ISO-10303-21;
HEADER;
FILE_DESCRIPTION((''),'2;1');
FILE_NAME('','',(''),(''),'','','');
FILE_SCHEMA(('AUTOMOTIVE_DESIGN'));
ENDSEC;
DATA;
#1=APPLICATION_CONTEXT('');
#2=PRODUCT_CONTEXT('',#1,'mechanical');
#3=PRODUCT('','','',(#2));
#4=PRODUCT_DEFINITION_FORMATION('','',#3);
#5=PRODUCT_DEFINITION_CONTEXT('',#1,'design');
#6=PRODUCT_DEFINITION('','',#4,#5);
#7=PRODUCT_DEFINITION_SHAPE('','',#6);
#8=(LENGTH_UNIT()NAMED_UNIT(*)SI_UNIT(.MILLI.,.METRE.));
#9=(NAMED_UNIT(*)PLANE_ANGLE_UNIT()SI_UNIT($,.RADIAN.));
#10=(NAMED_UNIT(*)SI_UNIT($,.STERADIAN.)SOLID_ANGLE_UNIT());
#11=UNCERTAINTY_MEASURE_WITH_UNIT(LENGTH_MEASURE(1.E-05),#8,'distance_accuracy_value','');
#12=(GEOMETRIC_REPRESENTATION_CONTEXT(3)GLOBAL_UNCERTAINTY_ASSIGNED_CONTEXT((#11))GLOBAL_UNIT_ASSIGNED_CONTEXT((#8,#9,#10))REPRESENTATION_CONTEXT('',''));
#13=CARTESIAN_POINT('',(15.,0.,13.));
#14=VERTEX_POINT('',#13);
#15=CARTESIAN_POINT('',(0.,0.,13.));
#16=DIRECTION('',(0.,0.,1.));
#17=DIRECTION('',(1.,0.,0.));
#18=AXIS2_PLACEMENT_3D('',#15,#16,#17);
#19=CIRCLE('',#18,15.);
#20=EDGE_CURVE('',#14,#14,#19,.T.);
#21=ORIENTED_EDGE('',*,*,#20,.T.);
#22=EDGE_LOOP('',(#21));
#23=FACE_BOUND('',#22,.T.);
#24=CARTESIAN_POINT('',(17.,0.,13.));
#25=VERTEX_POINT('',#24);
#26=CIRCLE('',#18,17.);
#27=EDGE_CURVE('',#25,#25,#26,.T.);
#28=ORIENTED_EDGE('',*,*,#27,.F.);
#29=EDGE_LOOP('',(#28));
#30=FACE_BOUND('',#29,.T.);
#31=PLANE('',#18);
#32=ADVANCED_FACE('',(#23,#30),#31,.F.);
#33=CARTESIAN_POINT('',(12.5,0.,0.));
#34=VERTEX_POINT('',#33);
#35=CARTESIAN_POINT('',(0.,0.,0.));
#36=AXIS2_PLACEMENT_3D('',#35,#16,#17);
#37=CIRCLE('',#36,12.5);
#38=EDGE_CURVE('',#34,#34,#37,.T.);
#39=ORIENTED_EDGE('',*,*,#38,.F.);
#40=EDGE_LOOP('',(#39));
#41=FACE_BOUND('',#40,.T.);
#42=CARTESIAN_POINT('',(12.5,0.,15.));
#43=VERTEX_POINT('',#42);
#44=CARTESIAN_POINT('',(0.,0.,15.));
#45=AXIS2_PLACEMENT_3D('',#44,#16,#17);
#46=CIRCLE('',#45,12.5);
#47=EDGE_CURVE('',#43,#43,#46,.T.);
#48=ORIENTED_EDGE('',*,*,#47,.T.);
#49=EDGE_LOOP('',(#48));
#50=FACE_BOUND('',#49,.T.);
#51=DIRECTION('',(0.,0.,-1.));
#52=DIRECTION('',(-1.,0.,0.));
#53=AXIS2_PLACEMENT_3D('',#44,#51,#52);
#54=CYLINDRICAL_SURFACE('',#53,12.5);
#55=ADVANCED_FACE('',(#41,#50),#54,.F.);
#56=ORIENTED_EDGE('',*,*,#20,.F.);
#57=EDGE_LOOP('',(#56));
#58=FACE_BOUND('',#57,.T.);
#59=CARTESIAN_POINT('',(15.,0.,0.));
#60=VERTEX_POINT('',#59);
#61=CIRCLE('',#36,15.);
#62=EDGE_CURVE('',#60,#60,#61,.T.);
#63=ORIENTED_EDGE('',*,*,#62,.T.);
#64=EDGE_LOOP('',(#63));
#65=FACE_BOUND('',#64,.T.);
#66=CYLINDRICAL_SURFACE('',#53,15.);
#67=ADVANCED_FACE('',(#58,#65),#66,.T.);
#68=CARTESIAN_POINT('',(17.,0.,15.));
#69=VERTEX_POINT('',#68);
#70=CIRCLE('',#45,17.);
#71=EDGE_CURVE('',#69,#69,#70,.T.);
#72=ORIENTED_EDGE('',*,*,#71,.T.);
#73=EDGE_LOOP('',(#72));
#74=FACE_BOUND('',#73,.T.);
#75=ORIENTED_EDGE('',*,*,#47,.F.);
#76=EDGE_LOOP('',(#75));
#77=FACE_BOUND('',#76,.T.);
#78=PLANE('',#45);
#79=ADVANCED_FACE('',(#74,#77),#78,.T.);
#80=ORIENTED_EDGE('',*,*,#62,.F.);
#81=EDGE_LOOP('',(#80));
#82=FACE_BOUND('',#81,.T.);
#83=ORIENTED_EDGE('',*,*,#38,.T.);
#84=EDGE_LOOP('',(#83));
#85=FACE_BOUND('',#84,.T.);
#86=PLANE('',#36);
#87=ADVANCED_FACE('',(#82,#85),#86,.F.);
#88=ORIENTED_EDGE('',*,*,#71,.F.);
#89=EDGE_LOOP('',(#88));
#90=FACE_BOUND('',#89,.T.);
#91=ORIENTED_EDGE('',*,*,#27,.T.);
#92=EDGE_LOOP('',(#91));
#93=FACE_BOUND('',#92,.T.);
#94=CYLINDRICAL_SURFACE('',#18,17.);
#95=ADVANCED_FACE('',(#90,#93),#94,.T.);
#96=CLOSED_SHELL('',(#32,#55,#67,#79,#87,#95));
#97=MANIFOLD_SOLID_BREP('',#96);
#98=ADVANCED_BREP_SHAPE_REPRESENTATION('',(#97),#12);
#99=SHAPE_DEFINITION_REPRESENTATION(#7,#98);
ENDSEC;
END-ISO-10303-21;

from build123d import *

# Parameters (mm, degrees)
SKETCH1_R           = 15
SKETCH1_R_2         = 12.5
BOSS_EXTRUDE1_DEPTH = 15
BOSS_EXTRUDE3_START = -2
SKETCH3_R           = 17
SKETCH3_R_2         = 15
BOSS_EXTRUDE3_DEPTH = 2


with BuildPart() as part:
    # Sketch1 → Boss-Extrude1 (new body)
    with BuildSketch(Plane.XY):
        Circle(SKETCH1_R)
        Circle(SKETCH1_R_2, mode=Mode.SUBTRACT)
    extrude(amount=BOSS_EXTRUDE1_DEPTH)

    # Sketch3 → Boss-Extrude3 (add)
    with BuildSketch(Plane.XY.offset(15).offset(BOSS_EXTRUDE3_START)):
        Circle(SKETCH3_R)
        Circle(SKETCH3_R_2, mode=Mode.SUBTRACT)
    extrude(amount=BOSS_EXTRUDE3_DEPTH)


solid = part.part
